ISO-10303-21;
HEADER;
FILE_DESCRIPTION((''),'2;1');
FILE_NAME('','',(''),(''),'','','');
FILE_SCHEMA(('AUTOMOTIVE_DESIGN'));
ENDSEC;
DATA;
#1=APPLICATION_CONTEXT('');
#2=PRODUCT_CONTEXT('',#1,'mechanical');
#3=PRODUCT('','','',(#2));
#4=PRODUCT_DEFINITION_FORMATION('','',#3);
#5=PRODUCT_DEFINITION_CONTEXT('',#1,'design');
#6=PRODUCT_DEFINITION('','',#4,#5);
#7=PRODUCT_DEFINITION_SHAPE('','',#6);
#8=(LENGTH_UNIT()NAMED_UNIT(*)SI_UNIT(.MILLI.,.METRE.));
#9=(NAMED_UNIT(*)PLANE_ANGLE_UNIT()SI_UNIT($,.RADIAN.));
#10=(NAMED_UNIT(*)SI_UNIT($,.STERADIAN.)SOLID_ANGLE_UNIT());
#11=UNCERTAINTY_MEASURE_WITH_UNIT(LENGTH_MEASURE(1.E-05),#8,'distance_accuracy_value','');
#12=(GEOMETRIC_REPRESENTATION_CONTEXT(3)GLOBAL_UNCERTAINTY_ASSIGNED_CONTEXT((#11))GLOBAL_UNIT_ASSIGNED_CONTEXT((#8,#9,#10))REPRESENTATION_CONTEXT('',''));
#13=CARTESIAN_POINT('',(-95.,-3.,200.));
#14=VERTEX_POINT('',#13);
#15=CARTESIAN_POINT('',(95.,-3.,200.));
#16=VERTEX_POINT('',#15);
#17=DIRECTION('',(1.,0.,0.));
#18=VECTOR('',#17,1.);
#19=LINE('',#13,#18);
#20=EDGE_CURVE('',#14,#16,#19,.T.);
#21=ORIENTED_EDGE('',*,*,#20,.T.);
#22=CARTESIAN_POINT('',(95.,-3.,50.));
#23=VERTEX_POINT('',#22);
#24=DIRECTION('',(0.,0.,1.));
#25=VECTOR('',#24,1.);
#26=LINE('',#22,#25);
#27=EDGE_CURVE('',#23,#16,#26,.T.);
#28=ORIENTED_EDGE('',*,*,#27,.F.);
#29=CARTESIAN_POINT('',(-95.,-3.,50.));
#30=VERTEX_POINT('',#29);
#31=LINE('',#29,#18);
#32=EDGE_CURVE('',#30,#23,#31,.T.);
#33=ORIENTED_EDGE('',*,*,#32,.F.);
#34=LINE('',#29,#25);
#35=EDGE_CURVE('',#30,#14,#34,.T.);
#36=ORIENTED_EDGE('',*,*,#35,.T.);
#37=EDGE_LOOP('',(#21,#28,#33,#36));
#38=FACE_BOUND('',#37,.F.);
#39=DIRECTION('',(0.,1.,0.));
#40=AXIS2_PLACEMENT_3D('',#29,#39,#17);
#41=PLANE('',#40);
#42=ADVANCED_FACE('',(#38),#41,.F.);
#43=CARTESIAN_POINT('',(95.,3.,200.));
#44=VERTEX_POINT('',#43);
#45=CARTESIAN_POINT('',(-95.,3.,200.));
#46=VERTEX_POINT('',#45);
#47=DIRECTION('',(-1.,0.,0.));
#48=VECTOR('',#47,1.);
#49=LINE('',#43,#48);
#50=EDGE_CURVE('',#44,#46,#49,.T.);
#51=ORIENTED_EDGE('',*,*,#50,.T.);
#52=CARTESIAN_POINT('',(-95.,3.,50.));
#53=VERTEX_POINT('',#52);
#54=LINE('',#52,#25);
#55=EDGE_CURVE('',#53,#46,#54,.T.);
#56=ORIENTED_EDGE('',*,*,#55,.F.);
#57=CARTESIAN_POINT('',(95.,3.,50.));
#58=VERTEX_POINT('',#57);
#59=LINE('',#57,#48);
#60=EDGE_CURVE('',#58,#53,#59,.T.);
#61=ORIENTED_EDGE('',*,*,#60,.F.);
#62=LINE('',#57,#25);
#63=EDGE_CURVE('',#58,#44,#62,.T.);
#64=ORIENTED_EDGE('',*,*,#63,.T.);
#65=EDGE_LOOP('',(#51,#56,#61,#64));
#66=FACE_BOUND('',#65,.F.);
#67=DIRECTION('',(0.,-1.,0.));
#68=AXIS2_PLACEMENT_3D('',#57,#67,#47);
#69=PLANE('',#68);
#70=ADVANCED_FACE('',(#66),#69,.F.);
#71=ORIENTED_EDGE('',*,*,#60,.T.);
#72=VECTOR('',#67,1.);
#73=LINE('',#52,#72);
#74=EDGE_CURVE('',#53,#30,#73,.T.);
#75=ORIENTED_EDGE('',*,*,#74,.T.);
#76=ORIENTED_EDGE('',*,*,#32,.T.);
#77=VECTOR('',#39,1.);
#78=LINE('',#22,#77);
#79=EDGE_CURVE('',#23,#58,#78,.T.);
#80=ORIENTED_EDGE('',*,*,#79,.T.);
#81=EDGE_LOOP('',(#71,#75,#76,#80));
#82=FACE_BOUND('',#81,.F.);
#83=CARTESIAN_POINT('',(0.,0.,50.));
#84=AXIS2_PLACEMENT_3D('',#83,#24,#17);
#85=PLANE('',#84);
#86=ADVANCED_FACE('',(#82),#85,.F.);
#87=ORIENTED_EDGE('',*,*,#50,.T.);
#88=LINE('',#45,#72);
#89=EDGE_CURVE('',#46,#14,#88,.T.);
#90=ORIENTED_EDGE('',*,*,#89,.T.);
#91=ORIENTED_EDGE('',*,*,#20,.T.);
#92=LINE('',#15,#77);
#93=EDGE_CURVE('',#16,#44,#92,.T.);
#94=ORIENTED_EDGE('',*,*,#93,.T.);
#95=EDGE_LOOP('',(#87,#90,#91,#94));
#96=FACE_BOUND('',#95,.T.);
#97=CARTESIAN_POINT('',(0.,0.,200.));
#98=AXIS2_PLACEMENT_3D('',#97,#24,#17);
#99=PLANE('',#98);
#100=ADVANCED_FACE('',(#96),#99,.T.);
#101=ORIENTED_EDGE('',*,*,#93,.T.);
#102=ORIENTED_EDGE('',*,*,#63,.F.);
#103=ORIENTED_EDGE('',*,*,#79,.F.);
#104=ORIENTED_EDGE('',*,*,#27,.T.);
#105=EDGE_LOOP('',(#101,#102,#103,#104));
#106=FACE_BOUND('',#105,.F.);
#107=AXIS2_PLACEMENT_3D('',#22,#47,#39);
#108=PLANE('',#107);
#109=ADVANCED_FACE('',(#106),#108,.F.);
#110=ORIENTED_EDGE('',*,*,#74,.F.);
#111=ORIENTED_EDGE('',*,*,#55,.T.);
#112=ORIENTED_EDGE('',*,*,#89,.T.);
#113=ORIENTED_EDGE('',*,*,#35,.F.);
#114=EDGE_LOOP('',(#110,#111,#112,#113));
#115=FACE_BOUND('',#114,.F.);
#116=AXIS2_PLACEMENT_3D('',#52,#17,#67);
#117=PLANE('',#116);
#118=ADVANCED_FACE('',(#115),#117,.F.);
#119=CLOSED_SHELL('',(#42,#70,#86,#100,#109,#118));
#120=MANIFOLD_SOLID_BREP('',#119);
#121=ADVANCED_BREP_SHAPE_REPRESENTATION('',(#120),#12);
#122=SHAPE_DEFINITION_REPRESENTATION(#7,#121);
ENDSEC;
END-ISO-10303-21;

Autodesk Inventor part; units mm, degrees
ref_plane "YZ Plane" through (0, 0, 0) normal (1, 0, 0) x (0, 1, 0)
ref_plane "XZ Plane" through (0, 0, 0) normal (0, 1, 0) x (-1, 0, 0)
ref_plane "XY Plane" through (0, 0, 0) normal (0, 0, 1) x (1, 0, 0)
ref_plane "РабПлоскость1" through (0, 0, 50) normal (0, 0, 1) x (1, 0, 0)
sketch "Эскиз1" plane through (0, 0, 50) normal (0, 0, 1) x (1, 0, 0)
  ellipse E0 centre (0, 0) end of major axis (-114.9977, 0.7305) minor radius 79.9992 projected
  line L0 (95, 3) -> (-95, 3)
  line L1 (-95, 3) -> (-95, -3)
  line L2 (-95, -3) -> (95, -3)
  line L3 (95, -3) -> (95, 3)
  line L4 (95, 3) -> (-95, -3) construction
  line L5 (-95, 3) -> (95, -3) construction
  point P0 (0, 0)
  dimension "d0" = 190
  dimension "d1" = 6
extrude "Выдавливание1" add sketch "Эскиз1" along normal blind 150 contours L3 L2 L1 L0
